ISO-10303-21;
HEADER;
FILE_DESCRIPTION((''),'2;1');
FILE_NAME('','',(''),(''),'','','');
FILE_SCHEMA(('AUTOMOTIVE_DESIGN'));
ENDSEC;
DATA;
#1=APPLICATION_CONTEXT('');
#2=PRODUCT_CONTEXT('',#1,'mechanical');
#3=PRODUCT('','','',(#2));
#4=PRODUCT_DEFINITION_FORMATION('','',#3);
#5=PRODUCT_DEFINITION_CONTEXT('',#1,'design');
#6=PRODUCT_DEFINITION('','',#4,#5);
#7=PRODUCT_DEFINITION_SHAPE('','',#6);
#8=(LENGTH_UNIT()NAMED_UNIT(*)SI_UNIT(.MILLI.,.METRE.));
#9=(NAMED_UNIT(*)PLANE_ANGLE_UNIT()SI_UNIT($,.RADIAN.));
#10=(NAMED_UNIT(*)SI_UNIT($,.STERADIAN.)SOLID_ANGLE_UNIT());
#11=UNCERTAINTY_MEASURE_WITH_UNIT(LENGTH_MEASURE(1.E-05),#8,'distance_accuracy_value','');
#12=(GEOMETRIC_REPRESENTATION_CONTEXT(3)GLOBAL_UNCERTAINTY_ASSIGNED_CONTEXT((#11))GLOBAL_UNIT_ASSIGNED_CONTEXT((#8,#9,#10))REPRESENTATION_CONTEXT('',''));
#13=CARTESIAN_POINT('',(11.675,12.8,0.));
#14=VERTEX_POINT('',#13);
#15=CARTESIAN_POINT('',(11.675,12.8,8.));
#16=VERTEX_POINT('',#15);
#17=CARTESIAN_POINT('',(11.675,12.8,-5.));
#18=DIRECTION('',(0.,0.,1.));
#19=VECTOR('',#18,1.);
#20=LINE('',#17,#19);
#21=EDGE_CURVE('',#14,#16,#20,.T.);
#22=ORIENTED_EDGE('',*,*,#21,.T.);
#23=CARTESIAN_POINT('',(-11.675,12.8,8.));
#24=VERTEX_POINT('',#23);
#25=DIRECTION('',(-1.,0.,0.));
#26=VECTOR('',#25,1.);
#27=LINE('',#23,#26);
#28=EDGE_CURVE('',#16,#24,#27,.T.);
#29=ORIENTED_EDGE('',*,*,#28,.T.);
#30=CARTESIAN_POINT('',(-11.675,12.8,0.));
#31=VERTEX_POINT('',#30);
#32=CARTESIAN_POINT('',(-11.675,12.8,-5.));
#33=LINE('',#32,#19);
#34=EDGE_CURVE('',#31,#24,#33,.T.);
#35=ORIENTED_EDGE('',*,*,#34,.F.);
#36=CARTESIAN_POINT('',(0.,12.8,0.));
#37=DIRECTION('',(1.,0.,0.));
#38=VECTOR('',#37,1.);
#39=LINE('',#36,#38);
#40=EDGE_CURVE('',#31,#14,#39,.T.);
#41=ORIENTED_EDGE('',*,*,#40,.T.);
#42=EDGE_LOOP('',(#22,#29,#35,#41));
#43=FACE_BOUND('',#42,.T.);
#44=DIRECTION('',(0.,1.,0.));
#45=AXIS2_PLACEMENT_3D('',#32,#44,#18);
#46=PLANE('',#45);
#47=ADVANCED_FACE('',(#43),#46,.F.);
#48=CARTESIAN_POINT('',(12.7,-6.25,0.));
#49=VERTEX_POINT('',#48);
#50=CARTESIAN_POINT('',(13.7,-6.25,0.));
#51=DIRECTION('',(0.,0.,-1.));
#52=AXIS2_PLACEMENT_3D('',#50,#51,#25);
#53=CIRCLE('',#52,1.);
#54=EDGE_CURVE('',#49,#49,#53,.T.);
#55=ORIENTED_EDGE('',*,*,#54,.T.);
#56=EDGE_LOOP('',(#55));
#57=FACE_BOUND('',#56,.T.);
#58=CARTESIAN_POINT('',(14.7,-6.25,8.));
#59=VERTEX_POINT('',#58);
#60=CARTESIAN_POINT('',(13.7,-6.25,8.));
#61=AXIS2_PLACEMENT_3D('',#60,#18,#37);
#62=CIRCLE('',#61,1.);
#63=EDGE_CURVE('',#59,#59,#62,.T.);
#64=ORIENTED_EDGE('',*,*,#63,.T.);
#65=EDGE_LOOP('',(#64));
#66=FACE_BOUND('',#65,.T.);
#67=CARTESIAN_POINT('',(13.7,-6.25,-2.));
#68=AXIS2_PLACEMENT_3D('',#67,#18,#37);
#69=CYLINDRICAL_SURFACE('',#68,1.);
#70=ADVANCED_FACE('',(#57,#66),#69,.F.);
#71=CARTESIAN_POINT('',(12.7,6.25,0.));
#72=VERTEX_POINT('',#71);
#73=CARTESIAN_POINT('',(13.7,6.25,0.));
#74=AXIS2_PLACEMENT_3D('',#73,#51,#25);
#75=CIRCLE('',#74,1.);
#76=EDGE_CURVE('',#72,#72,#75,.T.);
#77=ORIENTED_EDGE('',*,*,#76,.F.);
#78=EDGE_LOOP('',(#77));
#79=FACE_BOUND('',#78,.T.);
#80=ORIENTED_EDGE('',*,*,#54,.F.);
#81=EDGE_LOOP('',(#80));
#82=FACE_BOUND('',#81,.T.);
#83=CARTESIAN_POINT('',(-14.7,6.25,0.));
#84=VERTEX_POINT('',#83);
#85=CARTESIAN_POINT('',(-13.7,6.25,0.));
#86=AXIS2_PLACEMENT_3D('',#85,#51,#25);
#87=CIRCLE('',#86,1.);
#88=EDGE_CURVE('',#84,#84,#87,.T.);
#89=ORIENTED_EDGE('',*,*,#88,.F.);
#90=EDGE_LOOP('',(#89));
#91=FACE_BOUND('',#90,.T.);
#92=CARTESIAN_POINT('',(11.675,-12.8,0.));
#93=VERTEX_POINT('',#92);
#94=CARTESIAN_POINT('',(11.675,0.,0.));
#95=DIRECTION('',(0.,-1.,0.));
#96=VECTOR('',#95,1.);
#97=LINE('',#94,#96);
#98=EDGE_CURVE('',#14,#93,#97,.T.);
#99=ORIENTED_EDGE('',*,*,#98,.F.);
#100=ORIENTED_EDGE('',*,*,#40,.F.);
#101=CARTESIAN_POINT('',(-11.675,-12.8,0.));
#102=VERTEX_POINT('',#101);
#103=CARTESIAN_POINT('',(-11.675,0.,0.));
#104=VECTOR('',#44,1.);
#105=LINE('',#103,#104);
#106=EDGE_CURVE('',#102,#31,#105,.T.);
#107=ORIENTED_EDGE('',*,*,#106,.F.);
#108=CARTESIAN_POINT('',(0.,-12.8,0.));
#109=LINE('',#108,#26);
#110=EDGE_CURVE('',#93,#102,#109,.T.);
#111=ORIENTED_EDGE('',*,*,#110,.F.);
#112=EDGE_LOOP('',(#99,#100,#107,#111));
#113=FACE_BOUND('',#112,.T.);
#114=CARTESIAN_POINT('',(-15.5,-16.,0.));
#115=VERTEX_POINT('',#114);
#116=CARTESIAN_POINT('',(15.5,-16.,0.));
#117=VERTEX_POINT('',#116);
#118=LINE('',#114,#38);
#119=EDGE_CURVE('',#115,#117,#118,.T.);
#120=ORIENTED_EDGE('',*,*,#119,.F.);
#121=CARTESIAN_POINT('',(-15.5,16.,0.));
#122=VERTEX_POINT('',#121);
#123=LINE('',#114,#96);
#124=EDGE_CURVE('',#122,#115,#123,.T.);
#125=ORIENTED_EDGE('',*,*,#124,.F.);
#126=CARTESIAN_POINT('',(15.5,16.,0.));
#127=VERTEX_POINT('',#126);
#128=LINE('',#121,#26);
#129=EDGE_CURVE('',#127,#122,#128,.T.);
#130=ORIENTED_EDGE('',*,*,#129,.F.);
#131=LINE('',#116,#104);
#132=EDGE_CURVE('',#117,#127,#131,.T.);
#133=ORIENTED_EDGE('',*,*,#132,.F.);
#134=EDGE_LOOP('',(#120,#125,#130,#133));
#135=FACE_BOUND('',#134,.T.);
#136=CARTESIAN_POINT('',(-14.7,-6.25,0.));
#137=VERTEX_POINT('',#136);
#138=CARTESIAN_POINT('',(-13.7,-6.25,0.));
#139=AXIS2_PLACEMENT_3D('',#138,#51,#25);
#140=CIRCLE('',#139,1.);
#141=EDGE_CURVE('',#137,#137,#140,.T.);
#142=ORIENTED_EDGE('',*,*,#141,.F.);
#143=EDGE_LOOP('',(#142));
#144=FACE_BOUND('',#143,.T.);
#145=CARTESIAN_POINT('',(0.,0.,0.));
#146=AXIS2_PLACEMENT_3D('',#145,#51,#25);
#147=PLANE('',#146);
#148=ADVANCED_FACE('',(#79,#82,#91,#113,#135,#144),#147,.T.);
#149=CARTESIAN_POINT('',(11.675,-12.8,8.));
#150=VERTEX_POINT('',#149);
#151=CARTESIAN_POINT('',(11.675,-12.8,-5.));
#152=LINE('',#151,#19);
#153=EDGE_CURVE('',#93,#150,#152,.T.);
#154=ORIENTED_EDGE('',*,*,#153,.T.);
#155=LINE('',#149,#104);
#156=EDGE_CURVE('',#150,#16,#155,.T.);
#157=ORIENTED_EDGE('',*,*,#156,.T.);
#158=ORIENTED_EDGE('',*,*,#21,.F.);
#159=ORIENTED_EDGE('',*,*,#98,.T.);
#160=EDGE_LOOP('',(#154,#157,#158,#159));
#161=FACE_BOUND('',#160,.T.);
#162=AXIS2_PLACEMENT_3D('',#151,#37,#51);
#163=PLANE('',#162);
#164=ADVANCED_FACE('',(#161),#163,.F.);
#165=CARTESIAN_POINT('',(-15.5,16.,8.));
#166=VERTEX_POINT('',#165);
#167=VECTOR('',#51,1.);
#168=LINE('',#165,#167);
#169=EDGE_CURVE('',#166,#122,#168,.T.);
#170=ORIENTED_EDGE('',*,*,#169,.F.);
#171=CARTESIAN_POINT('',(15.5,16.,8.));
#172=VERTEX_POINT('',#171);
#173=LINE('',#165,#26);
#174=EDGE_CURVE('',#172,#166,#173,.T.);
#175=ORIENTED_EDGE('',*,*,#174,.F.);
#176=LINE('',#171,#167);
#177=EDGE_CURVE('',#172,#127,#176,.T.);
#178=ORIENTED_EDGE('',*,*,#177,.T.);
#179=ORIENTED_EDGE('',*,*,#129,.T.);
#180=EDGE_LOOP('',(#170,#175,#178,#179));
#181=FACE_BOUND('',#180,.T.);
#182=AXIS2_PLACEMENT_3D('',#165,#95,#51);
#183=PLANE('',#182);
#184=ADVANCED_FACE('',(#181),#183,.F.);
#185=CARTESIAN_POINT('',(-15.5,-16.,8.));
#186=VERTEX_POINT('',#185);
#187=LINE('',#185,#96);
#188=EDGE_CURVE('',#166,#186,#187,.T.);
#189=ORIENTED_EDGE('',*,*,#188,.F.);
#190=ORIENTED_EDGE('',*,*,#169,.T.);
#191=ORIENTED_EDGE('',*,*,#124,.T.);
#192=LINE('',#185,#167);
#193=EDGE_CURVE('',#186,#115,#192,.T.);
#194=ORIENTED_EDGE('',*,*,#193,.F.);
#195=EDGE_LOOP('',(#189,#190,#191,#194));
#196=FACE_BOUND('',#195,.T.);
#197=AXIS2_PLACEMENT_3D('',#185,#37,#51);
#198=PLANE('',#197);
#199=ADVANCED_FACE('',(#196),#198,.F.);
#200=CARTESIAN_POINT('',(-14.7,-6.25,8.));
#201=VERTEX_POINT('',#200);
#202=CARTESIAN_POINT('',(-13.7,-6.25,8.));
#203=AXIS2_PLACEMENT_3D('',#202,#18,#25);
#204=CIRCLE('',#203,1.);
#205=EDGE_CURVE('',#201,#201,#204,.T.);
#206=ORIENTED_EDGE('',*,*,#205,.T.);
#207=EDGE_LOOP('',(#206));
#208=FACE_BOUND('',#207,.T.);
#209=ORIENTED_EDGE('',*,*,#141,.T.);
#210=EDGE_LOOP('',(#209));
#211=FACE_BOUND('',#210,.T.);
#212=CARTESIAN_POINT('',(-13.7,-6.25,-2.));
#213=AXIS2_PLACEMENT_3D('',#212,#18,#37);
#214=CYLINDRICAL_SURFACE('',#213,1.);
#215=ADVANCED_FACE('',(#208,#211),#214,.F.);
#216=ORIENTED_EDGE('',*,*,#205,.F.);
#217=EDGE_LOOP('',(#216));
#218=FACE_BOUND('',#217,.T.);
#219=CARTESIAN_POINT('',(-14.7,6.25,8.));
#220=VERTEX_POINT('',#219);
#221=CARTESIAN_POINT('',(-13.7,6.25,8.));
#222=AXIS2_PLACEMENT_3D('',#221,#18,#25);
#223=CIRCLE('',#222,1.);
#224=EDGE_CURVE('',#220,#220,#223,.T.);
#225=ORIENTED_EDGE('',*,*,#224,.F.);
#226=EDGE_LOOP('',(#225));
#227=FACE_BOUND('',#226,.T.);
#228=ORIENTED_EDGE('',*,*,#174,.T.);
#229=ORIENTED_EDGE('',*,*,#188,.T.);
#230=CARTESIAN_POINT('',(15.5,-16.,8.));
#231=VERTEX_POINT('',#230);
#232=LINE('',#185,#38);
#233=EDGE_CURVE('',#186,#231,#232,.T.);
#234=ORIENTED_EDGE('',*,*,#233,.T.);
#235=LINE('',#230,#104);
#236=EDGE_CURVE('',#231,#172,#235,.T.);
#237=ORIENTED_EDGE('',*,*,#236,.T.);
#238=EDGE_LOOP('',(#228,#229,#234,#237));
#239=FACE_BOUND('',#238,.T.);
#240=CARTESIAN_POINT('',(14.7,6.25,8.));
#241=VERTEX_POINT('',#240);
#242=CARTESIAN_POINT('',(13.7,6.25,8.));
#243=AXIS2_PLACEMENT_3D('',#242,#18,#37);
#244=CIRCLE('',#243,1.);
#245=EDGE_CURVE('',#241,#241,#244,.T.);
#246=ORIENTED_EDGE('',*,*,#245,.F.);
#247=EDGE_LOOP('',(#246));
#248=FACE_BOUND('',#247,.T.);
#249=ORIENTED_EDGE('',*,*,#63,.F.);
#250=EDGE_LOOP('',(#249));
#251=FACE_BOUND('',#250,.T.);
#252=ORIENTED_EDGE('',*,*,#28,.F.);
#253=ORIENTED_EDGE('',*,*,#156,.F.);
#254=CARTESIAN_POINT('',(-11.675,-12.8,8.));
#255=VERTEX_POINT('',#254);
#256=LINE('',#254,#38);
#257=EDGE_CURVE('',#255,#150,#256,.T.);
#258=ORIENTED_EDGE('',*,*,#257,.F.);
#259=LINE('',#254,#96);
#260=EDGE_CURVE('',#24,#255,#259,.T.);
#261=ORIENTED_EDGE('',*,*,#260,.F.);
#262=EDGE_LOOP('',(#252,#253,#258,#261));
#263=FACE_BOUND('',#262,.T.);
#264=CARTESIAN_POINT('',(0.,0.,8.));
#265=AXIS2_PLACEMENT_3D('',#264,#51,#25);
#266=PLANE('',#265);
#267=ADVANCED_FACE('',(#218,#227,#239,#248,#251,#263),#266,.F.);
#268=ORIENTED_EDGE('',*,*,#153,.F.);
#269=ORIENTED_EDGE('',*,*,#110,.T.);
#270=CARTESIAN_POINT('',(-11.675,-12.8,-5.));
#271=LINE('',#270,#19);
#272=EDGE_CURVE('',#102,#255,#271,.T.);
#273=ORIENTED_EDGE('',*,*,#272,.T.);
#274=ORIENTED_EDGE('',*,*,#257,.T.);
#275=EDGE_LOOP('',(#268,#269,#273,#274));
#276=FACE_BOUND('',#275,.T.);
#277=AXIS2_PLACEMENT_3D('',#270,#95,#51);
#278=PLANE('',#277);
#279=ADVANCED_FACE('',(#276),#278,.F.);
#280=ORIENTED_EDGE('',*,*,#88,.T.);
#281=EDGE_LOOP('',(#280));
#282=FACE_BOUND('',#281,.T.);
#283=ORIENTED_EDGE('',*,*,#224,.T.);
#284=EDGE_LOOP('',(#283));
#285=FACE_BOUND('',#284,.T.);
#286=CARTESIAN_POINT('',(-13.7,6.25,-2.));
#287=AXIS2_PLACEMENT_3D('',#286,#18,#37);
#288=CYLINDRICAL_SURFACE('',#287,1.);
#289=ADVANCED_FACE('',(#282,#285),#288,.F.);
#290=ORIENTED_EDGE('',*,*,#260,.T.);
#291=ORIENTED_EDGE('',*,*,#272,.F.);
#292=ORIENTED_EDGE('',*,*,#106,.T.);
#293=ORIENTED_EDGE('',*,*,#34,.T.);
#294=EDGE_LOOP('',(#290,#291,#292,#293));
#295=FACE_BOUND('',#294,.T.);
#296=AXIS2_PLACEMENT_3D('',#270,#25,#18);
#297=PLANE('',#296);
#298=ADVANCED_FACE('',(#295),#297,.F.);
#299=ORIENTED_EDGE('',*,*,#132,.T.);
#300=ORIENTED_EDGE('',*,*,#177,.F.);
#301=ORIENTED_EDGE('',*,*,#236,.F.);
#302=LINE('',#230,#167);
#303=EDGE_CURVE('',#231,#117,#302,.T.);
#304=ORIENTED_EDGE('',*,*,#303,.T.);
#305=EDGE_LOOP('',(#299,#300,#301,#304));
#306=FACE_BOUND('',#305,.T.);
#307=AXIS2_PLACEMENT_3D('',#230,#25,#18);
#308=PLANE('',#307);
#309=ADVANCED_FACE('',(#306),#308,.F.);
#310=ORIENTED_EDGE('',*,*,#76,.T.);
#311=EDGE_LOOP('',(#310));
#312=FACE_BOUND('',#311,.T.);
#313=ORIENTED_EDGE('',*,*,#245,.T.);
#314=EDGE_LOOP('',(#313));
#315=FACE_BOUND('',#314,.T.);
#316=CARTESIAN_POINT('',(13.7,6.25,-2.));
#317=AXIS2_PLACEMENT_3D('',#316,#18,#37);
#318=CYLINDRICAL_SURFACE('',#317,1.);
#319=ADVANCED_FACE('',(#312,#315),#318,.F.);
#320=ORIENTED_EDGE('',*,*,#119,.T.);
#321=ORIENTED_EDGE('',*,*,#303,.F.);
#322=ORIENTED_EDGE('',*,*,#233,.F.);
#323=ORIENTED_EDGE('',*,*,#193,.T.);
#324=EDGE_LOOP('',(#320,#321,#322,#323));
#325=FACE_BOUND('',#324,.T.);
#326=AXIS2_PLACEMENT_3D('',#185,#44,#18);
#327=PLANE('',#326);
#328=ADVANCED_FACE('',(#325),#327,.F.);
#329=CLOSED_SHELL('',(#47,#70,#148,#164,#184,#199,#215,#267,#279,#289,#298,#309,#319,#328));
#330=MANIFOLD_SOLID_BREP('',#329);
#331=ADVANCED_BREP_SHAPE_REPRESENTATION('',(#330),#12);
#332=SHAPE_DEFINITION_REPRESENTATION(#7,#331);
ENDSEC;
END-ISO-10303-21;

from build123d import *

# Parameters (mm, degrees)
SKETCH1_W           = 31
SKETCH1_H           = 32
BOSS_EXTRUDE1_DEPTH = 8
SKETCH2_W           = 23.35
SKETCH2_H           = 25.6
CUT_EXTRUDE1_DEPTH  = 13
SKETCH3_R           = 1
CUT_EXTRUDE2_DEPTH  = 10


with BuildPart() as part:
    # Sketch1 → Boss-Extrude1 (new body)
    with BuildSketch(Plane.XY):
        Rectangle(SKETCH1_W, SKETCH1_H)
    extrude(amount=BOSS_EXTRUDE1_DEPTH)

    # Sketch2 → Cut-Extrude1 (cut)
    with BuildSketch(Plane.XY.offset(8)):
        Rectangle(SKETCH2_W, SKETCH2_H)
    extrude(amount=-CUT_EXTRUDE1_DEPTH, mode=Mode.SUBTRACT)

    # Sketch3 → Cut-Extrude2 (cut)
    with BuildSketch(Plane.XY.offset(8)):
        with Locations((13.7, 6.25)):
            Circle(SKETCH3_R)
        with Locations((13.7, -6.25)):
            Circle(SKETCH3_R)
        with Locations((-13.7, -6.25)):
            Circle(SKETCH3_R)
        with Locations((-13.7, 6.25)):
            Circle(SKETCH3_R)
    extrude(amount=-CUT_EXTRUDE2_DEPTH, mode=Mode.SUBTRACT)


solid = part.part
